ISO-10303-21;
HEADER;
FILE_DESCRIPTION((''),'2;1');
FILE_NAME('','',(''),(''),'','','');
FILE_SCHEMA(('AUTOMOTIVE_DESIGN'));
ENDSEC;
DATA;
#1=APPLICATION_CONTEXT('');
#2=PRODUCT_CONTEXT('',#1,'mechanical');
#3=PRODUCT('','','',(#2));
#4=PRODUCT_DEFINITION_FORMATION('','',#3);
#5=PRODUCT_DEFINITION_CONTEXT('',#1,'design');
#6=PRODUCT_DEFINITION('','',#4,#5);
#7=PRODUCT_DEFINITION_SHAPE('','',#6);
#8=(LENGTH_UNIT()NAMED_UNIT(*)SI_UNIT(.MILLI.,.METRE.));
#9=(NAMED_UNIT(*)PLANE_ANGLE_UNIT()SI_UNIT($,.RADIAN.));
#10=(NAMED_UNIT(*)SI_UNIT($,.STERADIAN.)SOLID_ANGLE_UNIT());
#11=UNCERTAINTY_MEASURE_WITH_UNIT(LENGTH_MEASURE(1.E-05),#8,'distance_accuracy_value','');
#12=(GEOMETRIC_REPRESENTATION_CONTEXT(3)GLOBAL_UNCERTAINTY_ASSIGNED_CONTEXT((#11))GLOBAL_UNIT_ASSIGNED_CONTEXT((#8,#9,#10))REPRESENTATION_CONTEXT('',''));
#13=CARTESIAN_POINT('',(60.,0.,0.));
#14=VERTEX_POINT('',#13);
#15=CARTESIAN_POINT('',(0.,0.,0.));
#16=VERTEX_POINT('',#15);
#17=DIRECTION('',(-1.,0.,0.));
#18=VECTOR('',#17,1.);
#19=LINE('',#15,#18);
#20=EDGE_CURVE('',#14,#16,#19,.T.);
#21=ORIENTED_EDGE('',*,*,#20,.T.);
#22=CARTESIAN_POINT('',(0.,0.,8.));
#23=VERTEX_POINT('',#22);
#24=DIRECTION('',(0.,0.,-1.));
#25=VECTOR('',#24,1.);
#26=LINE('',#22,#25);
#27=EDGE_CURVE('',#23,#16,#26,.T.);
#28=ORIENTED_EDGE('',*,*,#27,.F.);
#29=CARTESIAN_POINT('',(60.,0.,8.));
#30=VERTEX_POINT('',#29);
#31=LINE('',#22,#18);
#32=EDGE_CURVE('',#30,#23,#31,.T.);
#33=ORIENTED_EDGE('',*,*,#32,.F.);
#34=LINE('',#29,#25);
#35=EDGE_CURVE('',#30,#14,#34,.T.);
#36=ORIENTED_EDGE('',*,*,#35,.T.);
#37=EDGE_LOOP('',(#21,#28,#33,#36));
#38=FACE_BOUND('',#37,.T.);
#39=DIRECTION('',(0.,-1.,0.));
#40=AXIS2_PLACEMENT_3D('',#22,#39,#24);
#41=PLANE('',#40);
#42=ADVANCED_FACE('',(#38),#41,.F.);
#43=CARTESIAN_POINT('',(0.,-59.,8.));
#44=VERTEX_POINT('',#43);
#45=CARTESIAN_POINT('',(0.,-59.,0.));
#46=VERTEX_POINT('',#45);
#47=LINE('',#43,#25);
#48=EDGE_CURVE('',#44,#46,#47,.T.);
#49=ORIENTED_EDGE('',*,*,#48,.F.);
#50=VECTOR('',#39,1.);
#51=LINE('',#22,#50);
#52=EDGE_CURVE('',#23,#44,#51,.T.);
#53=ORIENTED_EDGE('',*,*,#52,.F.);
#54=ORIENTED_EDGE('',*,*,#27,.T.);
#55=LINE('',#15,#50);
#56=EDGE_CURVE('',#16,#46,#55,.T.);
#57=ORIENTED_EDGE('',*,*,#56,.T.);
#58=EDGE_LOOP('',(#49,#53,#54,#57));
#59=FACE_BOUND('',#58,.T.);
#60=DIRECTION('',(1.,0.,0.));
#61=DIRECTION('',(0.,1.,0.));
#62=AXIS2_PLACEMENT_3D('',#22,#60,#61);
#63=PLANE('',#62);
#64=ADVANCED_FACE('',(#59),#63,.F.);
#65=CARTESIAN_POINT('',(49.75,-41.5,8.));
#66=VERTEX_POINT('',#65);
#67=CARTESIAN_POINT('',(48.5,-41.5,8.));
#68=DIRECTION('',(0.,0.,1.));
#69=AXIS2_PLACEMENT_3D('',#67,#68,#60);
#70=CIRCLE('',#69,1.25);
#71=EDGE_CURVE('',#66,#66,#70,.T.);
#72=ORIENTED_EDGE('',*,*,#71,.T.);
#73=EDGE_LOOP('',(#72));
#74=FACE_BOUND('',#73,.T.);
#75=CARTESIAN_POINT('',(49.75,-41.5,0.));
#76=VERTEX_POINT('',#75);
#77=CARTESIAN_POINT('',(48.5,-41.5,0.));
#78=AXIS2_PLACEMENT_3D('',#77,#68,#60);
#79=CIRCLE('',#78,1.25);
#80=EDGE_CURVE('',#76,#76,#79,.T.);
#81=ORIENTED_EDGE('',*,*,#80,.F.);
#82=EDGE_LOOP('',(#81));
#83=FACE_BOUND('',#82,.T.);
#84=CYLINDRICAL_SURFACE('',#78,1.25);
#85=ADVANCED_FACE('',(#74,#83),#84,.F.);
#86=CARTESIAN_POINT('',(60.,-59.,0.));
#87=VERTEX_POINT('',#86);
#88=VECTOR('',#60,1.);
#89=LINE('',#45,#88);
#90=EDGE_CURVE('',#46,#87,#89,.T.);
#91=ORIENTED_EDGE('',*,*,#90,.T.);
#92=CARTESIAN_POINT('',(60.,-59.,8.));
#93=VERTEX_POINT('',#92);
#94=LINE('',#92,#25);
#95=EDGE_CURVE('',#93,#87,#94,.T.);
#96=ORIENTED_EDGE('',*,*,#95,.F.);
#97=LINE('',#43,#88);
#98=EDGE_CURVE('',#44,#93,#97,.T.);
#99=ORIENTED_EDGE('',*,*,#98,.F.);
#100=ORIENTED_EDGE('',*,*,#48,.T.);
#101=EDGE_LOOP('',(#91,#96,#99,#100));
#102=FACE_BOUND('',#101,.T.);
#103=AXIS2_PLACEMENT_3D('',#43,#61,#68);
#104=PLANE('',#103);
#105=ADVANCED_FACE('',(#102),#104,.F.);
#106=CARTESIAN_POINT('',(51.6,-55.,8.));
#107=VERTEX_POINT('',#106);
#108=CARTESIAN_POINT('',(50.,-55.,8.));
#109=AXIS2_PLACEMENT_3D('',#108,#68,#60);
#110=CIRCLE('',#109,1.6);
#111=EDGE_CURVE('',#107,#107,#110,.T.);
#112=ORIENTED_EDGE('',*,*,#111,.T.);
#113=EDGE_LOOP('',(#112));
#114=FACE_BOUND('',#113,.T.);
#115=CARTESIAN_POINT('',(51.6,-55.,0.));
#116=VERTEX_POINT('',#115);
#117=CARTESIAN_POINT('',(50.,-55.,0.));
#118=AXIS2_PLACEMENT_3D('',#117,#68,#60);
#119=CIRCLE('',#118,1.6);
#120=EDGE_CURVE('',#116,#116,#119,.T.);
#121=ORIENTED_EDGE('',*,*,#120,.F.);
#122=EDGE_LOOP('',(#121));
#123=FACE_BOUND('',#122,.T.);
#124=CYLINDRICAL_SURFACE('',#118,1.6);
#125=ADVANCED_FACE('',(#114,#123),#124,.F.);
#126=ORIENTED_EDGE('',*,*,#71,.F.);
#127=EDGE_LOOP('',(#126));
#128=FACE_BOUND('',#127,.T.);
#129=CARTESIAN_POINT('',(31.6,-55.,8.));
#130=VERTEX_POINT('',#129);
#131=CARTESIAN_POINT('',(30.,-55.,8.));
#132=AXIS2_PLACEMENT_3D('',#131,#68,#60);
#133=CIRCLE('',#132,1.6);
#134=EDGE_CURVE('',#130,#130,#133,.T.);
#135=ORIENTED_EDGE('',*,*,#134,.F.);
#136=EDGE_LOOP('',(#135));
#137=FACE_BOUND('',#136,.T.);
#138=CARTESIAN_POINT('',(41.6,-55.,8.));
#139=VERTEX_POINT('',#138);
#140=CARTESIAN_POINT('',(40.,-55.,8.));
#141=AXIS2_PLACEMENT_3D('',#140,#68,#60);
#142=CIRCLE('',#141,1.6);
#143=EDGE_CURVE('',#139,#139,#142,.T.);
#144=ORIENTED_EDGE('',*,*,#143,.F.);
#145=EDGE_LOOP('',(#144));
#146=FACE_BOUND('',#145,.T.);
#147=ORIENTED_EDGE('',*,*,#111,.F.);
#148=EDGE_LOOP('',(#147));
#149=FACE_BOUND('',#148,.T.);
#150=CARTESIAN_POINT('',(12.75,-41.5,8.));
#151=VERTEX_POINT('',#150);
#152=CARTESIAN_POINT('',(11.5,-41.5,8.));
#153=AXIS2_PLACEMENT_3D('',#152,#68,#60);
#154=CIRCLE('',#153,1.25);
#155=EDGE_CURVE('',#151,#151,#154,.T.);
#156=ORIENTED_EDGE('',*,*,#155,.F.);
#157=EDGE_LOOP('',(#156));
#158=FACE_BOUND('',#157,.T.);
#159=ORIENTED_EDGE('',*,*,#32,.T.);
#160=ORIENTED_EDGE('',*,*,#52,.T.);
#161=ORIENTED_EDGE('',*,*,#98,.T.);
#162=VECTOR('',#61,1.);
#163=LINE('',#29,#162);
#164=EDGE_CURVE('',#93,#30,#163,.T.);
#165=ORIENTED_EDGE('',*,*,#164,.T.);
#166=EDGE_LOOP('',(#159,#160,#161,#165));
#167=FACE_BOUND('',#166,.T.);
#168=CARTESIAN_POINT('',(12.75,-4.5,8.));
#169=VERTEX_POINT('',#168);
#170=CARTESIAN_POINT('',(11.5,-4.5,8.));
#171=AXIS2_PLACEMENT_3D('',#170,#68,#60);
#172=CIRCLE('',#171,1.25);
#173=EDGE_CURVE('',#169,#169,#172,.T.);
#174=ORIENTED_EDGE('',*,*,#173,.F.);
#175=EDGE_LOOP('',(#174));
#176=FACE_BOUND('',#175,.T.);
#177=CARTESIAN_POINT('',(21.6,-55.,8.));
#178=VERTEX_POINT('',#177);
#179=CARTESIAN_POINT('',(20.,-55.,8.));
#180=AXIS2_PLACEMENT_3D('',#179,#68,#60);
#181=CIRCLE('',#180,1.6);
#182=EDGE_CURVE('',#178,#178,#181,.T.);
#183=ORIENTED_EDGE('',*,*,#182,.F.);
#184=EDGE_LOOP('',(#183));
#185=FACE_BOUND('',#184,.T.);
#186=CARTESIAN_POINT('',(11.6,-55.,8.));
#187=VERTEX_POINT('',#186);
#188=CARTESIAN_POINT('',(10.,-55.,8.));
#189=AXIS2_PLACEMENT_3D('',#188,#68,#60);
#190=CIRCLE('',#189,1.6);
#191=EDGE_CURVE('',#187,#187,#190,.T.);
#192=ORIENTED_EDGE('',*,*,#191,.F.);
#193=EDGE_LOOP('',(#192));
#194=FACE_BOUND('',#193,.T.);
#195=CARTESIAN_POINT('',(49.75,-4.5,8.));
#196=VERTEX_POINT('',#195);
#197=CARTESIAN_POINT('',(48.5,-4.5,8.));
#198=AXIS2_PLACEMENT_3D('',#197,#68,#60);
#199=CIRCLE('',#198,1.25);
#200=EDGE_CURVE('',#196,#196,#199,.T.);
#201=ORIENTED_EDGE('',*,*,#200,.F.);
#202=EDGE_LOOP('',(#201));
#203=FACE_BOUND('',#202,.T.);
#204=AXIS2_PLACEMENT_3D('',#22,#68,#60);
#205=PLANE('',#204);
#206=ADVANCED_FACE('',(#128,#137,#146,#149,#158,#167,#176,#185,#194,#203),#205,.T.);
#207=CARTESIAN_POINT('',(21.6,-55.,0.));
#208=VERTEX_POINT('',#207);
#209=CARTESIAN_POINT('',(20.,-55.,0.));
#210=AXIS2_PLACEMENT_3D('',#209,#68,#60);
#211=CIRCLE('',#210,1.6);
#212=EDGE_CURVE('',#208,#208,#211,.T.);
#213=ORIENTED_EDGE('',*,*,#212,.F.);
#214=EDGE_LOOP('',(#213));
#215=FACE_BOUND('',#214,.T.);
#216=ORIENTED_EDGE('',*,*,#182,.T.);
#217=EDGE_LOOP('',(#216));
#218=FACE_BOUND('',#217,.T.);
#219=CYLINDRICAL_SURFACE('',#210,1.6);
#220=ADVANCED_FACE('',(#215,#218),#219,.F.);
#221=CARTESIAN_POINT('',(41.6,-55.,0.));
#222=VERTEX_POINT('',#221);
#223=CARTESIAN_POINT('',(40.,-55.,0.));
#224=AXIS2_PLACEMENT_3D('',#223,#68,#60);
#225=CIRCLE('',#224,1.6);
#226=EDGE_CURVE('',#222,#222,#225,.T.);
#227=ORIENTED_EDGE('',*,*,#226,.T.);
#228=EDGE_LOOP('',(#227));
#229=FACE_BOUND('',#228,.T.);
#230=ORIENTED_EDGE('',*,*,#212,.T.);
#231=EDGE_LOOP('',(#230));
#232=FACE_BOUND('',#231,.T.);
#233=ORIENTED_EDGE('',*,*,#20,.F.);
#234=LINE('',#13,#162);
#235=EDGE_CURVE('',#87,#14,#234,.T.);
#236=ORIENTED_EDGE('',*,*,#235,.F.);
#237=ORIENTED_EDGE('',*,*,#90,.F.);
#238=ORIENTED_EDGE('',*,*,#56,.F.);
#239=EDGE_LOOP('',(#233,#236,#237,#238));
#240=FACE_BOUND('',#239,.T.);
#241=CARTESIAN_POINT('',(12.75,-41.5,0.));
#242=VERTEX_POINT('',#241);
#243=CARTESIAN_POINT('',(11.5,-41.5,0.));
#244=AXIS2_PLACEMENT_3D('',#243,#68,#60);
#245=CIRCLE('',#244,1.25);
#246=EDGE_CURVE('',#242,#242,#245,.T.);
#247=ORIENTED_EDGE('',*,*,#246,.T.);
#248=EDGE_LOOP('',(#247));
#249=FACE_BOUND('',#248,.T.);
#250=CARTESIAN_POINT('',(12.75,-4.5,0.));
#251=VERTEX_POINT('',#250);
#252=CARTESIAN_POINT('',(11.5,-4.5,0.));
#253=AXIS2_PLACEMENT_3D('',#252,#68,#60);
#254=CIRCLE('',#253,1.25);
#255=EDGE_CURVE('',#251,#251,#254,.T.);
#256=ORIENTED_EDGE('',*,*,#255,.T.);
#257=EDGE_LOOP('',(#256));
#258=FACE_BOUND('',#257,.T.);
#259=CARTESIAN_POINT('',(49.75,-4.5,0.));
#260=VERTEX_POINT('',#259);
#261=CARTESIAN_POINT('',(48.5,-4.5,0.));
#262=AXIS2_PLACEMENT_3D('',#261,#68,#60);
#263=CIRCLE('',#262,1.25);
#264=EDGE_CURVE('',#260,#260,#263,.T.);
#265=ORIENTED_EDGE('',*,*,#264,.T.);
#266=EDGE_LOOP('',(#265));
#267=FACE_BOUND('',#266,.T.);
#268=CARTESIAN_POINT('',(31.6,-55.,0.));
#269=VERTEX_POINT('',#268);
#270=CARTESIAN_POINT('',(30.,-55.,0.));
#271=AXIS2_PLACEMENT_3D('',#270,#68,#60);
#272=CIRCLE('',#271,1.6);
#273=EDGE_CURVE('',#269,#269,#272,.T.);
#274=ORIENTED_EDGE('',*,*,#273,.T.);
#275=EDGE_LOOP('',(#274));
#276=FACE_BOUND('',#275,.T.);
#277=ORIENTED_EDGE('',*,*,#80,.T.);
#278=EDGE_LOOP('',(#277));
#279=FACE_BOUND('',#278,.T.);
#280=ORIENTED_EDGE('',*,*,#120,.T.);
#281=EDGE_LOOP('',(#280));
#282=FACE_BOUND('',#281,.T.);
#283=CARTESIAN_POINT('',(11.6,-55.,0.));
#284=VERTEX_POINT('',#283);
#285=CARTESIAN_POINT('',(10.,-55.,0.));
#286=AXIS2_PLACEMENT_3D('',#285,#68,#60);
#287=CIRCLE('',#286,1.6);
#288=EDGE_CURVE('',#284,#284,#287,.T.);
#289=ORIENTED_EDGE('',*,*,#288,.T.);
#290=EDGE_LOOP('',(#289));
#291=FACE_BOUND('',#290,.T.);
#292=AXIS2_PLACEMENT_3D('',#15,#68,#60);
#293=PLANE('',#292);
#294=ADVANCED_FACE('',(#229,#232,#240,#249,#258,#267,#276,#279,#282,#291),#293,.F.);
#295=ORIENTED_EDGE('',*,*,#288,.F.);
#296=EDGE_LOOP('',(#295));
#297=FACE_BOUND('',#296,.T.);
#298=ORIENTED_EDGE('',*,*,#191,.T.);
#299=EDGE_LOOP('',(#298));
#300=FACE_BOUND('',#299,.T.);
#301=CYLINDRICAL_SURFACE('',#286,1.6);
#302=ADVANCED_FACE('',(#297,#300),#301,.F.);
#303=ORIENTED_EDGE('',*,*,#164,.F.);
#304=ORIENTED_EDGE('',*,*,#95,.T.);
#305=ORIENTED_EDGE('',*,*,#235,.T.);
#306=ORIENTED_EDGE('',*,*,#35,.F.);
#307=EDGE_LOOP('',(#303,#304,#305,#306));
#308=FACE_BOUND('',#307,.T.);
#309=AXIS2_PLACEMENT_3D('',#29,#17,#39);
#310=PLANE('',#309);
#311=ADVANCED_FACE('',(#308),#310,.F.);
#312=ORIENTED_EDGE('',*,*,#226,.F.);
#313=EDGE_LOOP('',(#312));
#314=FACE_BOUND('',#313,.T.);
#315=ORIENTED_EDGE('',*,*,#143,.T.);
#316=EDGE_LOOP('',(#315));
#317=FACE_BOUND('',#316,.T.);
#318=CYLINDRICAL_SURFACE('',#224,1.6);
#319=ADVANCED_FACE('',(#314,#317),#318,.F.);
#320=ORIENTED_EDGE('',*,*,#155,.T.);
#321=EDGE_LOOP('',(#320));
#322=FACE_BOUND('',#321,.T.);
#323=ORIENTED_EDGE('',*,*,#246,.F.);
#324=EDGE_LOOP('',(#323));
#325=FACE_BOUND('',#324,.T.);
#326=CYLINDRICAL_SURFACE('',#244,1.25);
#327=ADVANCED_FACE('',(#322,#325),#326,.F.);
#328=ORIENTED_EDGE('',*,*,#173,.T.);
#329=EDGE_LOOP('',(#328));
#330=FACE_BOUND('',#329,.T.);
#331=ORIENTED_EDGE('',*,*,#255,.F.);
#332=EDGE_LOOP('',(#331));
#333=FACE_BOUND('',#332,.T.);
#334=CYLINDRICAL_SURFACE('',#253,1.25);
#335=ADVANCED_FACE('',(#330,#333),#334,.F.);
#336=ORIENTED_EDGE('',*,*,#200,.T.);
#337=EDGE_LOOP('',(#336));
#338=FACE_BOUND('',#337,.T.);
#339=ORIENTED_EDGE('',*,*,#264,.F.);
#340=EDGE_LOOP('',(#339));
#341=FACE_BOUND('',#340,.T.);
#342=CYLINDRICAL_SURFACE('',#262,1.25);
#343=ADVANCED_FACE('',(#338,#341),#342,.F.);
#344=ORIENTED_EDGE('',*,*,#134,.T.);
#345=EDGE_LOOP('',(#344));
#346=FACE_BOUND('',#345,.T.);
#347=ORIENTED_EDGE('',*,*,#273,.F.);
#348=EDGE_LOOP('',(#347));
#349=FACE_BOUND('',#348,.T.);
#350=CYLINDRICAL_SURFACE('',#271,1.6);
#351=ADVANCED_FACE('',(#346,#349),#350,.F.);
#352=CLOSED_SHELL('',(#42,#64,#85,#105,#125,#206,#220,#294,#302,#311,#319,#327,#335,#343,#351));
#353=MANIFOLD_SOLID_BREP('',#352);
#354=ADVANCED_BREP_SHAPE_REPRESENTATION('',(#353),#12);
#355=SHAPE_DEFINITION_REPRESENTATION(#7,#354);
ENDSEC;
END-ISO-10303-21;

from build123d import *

# Parameters (mm, degrees)
SKETCH_1_W          = 60
SKETCH_1_H          = 59
EXTRUDE_1_DEPTH     = 8
SKETCH_2_R          = 1.25
CUT_EXTRUDE_1_DEPTH = 8
SKETCH_3_R          = 1.6
CUT_EXTRUDE_2_DEPTH = 85.528101836


with BuildPart() as part:
    # 草图1 → 凸台-拉伸1 (new body)
    with BuildSketch(Plane.XY):
        with Locations((30, -29.5)):
            Rectangle(SKETCH_1_W, SKETCH_1_H)
    extrude(amount=EXTRUDE_1_DEPTH)

    # 草图2 → 切除-拉伸1 (cut)
    with BuildSketch(Plane.XY.offset(8)):
        with Locations((11.5, -4.5)):
            Circle(SKETCH_2_R)
        with Locations((48.5, -4.5)):
            Circle(SKETCH_2_R)
        with Locations((11.5, -41.5)):
            Circle(SKETCH_2_R)
        with Locations((48.5, -41.5)):
            Circle(SKETCH_2_R)
    extrude(amount=-CUT_EXTRUDE_1_DEPTH, mode=Mode.SUBTRACT)

    # 草图3 → 切除-拉伸2 (cut, through all)
    with BuildSketch(Plane.XY.offset(8)):
        with Locations((10, -55)):
            Circle(SKETCH_3_R)
        with Locations((20, -55)):
            Circle(SKETCH_3_R)
        with Locations((30, -55)):
            Circle(SKETCH_3_R)
        with Locations((40, -55)):
            Circle(SKETCH_3_R)
        with Locations((50, -55)):
            Circle(SKETCH_3_R)
    extrude(amount=-CUT_EXTRUDE_2_DEPTH, mode=Mode.SUBTRACT)


solid = part.part
